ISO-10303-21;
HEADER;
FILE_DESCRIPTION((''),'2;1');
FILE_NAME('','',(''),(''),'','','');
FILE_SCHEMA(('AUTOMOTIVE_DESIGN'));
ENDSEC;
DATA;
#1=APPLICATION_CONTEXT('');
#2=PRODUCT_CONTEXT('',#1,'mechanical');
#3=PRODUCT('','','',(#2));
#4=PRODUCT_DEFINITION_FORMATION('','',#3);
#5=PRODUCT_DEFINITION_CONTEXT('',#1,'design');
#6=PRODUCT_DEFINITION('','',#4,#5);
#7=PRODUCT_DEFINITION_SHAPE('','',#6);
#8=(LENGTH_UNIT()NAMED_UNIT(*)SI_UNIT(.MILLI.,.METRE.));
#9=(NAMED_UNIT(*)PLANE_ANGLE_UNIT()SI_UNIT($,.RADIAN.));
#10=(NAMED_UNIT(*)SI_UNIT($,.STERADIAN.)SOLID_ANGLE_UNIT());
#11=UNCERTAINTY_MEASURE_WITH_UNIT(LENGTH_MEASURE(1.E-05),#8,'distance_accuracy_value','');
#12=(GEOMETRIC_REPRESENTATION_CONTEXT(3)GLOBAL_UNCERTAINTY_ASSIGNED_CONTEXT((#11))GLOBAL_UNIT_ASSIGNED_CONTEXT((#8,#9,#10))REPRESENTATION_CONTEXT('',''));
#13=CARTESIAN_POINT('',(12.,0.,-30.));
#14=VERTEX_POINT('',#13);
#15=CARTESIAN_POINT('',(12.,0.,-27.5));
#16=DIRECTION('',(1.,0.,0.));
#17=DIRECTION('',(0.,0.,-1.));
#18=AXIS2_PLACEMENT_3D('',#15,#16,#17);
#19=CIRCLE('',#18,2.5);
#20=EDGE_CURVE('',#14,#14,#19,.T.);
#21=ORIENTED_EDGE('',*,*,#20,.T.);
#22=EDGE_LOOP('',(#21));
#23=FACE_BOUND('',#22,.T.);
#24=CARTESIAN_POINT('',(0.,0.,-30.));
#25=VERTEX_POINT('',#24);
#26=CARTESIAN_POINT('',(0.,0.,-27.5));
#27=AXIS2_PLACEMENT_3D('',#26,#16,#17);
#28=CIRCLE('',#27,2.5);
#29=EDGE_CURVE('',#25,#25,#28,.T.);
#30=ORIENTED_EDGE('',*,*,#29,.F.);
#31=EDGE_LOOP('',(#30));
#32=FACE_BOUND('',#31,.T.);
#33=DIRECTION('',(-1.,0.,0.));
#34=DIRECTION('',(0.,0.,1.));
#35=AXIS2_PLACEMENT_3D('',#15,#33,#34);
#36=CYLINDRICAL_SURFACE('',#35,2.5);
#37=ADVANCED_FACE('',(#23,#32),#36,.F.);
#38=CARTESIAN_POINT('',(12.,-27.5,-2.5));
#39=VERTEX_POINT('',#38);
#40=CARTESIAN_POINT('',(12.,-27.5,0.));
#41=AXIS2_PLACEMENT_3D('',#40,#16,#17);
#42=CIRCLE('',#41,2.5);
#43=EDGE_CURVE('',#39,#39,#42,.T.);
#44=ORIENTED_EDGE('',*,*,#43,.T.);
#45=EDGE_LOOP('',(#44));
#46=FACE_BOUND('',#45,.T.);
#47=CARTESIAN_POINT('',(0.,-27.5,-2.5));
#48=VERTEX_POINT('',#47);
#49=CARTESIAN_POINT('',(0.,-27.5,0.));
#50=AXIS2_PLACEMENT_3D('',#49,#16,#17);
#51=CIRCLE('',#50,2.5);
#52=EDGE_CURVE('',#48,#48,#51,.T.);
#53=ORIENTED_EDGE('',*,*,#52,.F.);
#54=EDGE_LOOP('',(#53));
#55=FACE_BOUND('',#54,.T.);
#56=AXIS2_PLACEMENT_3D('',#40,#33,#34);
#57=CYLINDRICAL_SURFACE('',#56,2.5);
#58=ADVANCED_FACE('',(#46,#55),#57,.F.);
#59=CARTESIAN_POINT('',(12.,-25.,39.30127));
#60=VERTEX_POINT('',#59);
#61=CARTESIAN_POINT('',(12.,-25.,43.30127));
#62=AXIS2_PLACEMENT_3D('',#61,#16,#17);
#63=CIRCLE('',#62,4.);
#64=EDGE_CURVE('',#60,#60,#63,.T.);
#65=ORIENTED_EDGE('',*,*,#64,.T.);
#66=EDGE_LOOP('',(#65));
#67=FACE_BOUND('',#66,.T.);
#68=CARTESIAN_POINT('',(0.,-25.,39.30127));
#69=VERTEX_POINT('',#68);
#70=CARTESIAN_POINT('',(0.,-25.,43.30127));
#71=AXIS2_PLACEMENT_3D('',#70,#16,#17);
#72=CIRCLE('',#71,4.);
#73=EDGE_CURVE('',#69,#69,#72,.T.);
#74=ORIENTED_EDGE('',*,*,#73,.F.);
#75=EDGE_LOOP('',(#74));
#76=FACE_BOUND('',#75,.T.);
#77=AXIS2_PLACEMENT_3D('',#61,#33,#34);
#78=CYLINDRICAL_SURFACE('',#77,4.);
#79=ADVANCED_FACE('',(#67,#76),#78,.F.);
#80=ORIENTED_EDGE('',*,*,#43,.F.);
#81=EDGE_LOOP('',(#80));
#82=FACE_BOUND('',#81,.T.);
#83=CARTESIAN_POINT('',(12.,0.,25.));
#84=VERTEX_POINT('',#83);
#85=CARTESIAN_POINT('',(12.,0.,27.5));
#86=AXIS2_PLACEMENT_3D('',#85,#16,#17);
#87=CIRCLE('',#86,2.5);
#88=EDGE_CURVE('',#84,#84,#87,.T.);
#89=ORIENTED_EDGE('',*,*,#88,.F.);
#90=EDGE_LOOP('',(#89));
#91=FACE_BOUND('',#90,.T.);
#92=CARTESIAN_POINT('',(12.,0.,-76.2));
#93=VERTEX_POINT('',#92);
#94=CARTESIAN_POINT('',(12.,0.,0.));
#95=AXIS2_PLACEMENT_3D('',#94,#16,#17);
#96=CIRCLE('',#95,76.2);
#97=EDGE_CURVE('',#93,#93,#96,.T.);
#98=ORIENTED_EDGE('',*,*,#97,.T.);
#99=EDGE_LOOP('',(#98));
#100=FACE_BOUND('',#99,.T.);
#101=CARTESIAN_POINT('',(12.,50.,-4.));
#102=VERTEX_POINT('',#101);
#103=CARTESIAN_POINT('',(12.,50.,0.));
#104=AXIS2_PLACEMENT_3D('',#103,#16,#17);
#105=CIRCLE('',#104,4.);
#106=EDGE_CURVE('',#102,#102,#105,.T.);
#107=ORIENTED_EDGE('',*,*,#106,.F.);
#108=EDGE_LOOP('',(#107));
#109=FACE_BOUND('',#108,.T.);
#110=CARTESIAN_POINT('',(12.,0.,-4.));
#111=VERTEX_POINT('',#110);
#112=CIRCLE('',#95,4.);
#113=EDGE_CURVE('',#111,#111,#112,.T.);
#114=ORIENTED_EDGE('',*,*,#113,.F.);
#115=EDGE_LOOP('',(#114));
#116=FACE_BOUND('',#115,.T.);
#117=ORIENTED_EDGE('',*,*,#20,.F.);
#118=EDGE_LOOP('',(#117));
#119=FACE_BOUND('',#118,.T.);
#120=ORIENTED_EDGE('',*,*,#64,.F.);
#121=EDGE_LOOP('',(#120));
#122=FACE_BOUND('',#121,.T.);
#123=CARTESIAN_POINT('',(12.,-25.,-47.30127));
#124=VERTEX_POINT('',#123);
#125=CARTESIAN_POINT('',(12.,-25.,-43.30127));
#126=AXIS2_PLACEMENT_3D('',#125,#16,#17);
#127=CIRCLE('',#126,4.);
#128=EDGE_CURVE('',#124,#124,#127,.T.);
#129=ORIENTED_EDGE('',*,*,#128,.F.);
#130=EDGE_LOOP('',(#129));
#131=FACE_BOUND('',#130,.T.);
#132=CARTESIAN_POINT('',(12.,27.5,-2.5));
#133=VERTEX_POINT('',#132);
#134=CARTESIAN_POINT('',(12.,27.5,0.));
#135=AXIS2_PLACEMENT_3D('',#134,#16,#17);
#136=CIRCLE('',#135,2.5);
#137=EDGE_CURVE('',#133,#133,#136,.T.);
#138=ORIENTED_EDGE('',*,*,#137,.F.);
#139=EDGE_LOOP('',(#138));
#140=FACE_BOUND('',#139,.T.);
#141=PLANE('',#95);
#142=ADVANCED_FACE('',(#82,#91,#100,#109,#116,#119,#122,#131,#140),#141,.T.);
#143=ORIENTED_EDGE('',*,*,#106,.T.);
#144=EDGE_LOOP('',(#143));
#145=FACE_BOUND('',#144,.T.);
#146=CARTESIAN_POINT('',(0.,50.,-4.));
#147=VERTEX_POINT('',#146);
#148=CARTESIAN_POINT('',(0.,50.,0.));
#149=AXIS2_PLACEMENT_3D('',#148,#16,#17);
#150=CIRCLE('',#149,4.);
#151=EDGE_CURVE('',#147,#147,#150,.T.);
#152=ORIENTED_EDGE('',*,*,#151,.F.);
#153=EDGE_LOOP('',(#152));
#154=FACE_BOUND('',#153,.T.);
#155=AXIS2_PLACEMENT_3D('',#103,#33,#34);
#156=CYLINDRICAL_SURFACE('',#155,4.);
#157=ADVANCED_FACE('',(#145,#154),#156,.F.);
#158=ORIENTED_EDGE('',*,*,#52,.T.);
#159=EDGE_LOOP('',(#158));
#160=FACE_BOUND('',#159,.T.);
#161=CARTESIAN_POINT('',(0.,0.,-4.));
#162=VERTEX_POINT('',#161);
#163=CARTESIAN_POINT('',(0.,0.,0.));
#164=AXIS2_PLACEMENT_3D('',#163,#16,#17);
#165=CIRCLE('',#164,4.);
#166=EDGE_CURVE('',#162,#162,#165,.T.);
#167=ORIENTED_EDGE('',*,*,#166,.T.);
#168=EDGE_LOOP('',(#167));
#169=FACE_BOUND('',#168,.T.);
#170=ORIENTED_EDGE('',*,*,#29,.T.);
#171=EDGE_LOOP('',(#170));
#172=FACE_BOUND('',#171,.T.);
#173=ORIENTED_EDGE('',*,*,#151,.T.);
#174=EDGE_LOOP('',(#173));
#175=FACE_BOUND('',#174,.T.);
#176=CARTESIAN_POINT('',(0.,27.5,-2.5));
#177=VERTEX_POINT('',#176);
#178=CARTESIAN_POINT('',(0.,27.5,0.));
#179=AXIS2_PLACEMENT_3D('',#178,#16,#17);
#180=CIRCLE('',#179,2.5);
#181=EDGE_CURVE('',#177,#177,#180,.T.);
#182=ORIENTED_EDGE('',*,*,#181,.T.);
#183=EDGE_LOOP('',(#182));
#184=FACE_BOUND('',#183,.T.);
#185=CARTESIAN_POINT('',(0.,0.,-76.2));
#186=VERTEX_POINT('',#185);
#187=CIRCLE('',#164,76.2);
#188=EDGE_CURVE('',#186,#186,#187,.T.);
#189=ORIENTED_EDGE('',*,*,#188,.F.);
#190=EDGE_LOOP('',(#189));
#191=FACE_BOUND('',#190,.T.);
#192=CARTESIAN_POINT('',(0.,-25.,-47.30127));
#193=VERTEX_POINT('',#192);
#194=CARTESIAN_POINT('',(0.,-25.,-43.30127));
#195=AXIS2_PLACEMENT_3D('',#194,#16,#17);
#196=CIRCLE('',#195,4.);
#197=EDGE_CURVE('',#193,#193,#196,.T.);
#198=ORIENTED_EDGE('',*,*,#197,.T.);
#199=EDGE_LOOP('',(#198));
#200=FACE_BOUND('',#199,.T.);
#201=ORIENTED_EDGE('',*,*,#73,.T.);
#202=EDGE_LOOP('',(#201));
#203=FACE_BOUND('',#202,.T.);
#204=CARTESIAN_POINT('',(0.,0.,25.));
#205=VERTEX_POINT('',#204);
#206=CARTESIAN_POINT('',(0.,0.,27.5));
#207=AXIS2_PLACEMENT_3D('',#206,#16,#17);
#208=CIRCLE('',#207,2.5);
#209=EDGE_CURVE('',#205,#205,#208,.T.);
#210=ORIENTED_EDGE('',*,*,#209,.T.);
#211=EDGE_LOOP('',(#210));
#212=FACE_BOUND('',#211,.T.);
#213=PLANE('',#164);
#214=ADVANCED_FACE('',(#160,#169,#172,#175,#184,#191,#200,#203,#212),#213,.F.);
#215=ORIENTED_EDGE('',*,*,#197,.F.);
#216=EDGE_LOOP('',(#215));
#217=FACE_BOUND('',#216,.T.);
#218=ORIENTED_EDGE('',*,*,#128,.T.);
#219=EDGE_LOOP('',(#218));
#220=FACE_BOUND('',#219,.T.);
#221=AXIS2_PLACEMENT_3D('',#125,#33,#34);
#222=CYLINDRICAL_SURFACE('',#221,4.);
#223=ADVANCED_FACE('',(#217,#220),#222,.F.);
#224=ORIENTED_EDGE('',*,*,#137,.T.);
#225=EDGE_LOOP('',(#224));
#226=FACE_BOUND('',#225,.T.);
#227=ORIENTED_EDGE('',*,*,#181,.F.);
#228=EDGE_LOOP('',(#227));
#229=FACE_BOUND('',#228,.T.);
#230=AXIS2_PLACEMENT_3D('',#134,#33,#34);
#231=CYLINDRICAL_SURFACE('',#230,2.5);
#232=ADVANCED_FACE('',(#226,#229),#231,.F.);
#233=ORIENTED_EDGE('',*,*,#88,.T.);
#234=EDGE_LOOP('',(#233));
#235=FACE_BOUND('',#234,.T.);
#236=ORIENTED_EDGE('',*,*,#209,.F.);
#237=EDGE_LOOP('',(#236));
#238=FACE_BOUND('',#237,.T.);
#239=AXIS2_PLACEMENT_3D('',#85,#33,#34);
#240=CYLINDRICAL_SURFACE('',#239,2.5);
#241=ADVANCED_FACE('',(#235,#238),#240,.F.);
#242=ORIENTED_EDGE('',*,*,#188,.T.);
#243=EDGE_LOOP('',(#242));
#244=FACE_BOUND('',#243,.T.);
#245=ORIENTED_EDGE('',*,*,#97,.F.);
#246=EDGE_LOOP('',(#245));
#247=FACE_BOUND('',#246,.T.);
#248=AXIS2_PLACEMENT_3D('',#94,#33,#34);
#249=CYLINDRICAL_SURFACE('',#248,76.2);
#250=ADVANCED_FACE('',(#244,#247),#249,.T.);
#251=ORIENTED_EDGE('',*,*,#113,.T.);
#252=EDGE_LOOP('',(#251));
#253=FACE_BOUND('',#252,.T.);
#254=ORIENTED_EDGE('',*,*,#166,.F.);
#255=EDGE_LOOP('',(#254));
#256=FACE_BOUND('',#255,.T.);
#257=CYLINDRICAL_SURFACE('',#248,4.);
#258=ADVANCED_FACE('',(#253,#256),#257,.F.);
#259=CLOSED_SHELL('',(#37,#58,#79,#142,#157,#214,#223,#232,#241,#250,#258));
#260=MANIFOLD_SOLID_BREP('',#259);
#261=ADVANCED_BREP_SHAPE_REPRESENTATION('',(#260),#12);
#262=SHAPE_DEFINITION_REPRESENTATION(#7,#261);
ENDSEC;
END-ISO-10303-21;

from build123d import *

# Parameters (mm, degrees)
SKETCH2_R           = 76.2
SKETCH2_R_2         = 2.5
SKETCH2_R_3         = 4
BOSS_EXTRUDE1_DEPTH = 12


with BuildPart() as part:
    # Sketch2 → Boss-Extrude1 (new body)
    with BuildSketch(Plane(origin=(0, 0, 0), x_dir=(0, 0, -1), z_dir=(1, 0, 0))):
        Circle(SKETCH2_R)
        with Locations((0, 27.5)):
            Circle(SKETCH2_R_2, mode=Mode.SUBTRACT)
        with Locations((27.5, 0)):
            Circle(SKETCH2_R_2, mode=Mode.SUBTRACT)
        with Locations((0, -27.5)):
            Circle(SKETCH2_R_2, mode=Mode.SUBTRACT)
        with Locations((-27.5, 0)):
            Circle(SKETCH2_R_2, mode=Mode.SUBTRACT)
        with Locations((0, 50)):
            Circle(SKETCH2_R_3, mode=Mode.SUBTRACT)
        with Locations((43.301270189, -25)):
            Circle(SKETCH2_R_3, mode=Mode.SUBTRACT)
        with Locations((-43.301270189, -25)):
            Circle(SKETCH2_R_3, mode=Mode.SUBTRACT)
        Circle(SKETCH2_R_3, mode=Mode.SUBTRACT)
    extrude(amount=BOSS_EXTRUDE1_DEPTH)


solid = part.part
